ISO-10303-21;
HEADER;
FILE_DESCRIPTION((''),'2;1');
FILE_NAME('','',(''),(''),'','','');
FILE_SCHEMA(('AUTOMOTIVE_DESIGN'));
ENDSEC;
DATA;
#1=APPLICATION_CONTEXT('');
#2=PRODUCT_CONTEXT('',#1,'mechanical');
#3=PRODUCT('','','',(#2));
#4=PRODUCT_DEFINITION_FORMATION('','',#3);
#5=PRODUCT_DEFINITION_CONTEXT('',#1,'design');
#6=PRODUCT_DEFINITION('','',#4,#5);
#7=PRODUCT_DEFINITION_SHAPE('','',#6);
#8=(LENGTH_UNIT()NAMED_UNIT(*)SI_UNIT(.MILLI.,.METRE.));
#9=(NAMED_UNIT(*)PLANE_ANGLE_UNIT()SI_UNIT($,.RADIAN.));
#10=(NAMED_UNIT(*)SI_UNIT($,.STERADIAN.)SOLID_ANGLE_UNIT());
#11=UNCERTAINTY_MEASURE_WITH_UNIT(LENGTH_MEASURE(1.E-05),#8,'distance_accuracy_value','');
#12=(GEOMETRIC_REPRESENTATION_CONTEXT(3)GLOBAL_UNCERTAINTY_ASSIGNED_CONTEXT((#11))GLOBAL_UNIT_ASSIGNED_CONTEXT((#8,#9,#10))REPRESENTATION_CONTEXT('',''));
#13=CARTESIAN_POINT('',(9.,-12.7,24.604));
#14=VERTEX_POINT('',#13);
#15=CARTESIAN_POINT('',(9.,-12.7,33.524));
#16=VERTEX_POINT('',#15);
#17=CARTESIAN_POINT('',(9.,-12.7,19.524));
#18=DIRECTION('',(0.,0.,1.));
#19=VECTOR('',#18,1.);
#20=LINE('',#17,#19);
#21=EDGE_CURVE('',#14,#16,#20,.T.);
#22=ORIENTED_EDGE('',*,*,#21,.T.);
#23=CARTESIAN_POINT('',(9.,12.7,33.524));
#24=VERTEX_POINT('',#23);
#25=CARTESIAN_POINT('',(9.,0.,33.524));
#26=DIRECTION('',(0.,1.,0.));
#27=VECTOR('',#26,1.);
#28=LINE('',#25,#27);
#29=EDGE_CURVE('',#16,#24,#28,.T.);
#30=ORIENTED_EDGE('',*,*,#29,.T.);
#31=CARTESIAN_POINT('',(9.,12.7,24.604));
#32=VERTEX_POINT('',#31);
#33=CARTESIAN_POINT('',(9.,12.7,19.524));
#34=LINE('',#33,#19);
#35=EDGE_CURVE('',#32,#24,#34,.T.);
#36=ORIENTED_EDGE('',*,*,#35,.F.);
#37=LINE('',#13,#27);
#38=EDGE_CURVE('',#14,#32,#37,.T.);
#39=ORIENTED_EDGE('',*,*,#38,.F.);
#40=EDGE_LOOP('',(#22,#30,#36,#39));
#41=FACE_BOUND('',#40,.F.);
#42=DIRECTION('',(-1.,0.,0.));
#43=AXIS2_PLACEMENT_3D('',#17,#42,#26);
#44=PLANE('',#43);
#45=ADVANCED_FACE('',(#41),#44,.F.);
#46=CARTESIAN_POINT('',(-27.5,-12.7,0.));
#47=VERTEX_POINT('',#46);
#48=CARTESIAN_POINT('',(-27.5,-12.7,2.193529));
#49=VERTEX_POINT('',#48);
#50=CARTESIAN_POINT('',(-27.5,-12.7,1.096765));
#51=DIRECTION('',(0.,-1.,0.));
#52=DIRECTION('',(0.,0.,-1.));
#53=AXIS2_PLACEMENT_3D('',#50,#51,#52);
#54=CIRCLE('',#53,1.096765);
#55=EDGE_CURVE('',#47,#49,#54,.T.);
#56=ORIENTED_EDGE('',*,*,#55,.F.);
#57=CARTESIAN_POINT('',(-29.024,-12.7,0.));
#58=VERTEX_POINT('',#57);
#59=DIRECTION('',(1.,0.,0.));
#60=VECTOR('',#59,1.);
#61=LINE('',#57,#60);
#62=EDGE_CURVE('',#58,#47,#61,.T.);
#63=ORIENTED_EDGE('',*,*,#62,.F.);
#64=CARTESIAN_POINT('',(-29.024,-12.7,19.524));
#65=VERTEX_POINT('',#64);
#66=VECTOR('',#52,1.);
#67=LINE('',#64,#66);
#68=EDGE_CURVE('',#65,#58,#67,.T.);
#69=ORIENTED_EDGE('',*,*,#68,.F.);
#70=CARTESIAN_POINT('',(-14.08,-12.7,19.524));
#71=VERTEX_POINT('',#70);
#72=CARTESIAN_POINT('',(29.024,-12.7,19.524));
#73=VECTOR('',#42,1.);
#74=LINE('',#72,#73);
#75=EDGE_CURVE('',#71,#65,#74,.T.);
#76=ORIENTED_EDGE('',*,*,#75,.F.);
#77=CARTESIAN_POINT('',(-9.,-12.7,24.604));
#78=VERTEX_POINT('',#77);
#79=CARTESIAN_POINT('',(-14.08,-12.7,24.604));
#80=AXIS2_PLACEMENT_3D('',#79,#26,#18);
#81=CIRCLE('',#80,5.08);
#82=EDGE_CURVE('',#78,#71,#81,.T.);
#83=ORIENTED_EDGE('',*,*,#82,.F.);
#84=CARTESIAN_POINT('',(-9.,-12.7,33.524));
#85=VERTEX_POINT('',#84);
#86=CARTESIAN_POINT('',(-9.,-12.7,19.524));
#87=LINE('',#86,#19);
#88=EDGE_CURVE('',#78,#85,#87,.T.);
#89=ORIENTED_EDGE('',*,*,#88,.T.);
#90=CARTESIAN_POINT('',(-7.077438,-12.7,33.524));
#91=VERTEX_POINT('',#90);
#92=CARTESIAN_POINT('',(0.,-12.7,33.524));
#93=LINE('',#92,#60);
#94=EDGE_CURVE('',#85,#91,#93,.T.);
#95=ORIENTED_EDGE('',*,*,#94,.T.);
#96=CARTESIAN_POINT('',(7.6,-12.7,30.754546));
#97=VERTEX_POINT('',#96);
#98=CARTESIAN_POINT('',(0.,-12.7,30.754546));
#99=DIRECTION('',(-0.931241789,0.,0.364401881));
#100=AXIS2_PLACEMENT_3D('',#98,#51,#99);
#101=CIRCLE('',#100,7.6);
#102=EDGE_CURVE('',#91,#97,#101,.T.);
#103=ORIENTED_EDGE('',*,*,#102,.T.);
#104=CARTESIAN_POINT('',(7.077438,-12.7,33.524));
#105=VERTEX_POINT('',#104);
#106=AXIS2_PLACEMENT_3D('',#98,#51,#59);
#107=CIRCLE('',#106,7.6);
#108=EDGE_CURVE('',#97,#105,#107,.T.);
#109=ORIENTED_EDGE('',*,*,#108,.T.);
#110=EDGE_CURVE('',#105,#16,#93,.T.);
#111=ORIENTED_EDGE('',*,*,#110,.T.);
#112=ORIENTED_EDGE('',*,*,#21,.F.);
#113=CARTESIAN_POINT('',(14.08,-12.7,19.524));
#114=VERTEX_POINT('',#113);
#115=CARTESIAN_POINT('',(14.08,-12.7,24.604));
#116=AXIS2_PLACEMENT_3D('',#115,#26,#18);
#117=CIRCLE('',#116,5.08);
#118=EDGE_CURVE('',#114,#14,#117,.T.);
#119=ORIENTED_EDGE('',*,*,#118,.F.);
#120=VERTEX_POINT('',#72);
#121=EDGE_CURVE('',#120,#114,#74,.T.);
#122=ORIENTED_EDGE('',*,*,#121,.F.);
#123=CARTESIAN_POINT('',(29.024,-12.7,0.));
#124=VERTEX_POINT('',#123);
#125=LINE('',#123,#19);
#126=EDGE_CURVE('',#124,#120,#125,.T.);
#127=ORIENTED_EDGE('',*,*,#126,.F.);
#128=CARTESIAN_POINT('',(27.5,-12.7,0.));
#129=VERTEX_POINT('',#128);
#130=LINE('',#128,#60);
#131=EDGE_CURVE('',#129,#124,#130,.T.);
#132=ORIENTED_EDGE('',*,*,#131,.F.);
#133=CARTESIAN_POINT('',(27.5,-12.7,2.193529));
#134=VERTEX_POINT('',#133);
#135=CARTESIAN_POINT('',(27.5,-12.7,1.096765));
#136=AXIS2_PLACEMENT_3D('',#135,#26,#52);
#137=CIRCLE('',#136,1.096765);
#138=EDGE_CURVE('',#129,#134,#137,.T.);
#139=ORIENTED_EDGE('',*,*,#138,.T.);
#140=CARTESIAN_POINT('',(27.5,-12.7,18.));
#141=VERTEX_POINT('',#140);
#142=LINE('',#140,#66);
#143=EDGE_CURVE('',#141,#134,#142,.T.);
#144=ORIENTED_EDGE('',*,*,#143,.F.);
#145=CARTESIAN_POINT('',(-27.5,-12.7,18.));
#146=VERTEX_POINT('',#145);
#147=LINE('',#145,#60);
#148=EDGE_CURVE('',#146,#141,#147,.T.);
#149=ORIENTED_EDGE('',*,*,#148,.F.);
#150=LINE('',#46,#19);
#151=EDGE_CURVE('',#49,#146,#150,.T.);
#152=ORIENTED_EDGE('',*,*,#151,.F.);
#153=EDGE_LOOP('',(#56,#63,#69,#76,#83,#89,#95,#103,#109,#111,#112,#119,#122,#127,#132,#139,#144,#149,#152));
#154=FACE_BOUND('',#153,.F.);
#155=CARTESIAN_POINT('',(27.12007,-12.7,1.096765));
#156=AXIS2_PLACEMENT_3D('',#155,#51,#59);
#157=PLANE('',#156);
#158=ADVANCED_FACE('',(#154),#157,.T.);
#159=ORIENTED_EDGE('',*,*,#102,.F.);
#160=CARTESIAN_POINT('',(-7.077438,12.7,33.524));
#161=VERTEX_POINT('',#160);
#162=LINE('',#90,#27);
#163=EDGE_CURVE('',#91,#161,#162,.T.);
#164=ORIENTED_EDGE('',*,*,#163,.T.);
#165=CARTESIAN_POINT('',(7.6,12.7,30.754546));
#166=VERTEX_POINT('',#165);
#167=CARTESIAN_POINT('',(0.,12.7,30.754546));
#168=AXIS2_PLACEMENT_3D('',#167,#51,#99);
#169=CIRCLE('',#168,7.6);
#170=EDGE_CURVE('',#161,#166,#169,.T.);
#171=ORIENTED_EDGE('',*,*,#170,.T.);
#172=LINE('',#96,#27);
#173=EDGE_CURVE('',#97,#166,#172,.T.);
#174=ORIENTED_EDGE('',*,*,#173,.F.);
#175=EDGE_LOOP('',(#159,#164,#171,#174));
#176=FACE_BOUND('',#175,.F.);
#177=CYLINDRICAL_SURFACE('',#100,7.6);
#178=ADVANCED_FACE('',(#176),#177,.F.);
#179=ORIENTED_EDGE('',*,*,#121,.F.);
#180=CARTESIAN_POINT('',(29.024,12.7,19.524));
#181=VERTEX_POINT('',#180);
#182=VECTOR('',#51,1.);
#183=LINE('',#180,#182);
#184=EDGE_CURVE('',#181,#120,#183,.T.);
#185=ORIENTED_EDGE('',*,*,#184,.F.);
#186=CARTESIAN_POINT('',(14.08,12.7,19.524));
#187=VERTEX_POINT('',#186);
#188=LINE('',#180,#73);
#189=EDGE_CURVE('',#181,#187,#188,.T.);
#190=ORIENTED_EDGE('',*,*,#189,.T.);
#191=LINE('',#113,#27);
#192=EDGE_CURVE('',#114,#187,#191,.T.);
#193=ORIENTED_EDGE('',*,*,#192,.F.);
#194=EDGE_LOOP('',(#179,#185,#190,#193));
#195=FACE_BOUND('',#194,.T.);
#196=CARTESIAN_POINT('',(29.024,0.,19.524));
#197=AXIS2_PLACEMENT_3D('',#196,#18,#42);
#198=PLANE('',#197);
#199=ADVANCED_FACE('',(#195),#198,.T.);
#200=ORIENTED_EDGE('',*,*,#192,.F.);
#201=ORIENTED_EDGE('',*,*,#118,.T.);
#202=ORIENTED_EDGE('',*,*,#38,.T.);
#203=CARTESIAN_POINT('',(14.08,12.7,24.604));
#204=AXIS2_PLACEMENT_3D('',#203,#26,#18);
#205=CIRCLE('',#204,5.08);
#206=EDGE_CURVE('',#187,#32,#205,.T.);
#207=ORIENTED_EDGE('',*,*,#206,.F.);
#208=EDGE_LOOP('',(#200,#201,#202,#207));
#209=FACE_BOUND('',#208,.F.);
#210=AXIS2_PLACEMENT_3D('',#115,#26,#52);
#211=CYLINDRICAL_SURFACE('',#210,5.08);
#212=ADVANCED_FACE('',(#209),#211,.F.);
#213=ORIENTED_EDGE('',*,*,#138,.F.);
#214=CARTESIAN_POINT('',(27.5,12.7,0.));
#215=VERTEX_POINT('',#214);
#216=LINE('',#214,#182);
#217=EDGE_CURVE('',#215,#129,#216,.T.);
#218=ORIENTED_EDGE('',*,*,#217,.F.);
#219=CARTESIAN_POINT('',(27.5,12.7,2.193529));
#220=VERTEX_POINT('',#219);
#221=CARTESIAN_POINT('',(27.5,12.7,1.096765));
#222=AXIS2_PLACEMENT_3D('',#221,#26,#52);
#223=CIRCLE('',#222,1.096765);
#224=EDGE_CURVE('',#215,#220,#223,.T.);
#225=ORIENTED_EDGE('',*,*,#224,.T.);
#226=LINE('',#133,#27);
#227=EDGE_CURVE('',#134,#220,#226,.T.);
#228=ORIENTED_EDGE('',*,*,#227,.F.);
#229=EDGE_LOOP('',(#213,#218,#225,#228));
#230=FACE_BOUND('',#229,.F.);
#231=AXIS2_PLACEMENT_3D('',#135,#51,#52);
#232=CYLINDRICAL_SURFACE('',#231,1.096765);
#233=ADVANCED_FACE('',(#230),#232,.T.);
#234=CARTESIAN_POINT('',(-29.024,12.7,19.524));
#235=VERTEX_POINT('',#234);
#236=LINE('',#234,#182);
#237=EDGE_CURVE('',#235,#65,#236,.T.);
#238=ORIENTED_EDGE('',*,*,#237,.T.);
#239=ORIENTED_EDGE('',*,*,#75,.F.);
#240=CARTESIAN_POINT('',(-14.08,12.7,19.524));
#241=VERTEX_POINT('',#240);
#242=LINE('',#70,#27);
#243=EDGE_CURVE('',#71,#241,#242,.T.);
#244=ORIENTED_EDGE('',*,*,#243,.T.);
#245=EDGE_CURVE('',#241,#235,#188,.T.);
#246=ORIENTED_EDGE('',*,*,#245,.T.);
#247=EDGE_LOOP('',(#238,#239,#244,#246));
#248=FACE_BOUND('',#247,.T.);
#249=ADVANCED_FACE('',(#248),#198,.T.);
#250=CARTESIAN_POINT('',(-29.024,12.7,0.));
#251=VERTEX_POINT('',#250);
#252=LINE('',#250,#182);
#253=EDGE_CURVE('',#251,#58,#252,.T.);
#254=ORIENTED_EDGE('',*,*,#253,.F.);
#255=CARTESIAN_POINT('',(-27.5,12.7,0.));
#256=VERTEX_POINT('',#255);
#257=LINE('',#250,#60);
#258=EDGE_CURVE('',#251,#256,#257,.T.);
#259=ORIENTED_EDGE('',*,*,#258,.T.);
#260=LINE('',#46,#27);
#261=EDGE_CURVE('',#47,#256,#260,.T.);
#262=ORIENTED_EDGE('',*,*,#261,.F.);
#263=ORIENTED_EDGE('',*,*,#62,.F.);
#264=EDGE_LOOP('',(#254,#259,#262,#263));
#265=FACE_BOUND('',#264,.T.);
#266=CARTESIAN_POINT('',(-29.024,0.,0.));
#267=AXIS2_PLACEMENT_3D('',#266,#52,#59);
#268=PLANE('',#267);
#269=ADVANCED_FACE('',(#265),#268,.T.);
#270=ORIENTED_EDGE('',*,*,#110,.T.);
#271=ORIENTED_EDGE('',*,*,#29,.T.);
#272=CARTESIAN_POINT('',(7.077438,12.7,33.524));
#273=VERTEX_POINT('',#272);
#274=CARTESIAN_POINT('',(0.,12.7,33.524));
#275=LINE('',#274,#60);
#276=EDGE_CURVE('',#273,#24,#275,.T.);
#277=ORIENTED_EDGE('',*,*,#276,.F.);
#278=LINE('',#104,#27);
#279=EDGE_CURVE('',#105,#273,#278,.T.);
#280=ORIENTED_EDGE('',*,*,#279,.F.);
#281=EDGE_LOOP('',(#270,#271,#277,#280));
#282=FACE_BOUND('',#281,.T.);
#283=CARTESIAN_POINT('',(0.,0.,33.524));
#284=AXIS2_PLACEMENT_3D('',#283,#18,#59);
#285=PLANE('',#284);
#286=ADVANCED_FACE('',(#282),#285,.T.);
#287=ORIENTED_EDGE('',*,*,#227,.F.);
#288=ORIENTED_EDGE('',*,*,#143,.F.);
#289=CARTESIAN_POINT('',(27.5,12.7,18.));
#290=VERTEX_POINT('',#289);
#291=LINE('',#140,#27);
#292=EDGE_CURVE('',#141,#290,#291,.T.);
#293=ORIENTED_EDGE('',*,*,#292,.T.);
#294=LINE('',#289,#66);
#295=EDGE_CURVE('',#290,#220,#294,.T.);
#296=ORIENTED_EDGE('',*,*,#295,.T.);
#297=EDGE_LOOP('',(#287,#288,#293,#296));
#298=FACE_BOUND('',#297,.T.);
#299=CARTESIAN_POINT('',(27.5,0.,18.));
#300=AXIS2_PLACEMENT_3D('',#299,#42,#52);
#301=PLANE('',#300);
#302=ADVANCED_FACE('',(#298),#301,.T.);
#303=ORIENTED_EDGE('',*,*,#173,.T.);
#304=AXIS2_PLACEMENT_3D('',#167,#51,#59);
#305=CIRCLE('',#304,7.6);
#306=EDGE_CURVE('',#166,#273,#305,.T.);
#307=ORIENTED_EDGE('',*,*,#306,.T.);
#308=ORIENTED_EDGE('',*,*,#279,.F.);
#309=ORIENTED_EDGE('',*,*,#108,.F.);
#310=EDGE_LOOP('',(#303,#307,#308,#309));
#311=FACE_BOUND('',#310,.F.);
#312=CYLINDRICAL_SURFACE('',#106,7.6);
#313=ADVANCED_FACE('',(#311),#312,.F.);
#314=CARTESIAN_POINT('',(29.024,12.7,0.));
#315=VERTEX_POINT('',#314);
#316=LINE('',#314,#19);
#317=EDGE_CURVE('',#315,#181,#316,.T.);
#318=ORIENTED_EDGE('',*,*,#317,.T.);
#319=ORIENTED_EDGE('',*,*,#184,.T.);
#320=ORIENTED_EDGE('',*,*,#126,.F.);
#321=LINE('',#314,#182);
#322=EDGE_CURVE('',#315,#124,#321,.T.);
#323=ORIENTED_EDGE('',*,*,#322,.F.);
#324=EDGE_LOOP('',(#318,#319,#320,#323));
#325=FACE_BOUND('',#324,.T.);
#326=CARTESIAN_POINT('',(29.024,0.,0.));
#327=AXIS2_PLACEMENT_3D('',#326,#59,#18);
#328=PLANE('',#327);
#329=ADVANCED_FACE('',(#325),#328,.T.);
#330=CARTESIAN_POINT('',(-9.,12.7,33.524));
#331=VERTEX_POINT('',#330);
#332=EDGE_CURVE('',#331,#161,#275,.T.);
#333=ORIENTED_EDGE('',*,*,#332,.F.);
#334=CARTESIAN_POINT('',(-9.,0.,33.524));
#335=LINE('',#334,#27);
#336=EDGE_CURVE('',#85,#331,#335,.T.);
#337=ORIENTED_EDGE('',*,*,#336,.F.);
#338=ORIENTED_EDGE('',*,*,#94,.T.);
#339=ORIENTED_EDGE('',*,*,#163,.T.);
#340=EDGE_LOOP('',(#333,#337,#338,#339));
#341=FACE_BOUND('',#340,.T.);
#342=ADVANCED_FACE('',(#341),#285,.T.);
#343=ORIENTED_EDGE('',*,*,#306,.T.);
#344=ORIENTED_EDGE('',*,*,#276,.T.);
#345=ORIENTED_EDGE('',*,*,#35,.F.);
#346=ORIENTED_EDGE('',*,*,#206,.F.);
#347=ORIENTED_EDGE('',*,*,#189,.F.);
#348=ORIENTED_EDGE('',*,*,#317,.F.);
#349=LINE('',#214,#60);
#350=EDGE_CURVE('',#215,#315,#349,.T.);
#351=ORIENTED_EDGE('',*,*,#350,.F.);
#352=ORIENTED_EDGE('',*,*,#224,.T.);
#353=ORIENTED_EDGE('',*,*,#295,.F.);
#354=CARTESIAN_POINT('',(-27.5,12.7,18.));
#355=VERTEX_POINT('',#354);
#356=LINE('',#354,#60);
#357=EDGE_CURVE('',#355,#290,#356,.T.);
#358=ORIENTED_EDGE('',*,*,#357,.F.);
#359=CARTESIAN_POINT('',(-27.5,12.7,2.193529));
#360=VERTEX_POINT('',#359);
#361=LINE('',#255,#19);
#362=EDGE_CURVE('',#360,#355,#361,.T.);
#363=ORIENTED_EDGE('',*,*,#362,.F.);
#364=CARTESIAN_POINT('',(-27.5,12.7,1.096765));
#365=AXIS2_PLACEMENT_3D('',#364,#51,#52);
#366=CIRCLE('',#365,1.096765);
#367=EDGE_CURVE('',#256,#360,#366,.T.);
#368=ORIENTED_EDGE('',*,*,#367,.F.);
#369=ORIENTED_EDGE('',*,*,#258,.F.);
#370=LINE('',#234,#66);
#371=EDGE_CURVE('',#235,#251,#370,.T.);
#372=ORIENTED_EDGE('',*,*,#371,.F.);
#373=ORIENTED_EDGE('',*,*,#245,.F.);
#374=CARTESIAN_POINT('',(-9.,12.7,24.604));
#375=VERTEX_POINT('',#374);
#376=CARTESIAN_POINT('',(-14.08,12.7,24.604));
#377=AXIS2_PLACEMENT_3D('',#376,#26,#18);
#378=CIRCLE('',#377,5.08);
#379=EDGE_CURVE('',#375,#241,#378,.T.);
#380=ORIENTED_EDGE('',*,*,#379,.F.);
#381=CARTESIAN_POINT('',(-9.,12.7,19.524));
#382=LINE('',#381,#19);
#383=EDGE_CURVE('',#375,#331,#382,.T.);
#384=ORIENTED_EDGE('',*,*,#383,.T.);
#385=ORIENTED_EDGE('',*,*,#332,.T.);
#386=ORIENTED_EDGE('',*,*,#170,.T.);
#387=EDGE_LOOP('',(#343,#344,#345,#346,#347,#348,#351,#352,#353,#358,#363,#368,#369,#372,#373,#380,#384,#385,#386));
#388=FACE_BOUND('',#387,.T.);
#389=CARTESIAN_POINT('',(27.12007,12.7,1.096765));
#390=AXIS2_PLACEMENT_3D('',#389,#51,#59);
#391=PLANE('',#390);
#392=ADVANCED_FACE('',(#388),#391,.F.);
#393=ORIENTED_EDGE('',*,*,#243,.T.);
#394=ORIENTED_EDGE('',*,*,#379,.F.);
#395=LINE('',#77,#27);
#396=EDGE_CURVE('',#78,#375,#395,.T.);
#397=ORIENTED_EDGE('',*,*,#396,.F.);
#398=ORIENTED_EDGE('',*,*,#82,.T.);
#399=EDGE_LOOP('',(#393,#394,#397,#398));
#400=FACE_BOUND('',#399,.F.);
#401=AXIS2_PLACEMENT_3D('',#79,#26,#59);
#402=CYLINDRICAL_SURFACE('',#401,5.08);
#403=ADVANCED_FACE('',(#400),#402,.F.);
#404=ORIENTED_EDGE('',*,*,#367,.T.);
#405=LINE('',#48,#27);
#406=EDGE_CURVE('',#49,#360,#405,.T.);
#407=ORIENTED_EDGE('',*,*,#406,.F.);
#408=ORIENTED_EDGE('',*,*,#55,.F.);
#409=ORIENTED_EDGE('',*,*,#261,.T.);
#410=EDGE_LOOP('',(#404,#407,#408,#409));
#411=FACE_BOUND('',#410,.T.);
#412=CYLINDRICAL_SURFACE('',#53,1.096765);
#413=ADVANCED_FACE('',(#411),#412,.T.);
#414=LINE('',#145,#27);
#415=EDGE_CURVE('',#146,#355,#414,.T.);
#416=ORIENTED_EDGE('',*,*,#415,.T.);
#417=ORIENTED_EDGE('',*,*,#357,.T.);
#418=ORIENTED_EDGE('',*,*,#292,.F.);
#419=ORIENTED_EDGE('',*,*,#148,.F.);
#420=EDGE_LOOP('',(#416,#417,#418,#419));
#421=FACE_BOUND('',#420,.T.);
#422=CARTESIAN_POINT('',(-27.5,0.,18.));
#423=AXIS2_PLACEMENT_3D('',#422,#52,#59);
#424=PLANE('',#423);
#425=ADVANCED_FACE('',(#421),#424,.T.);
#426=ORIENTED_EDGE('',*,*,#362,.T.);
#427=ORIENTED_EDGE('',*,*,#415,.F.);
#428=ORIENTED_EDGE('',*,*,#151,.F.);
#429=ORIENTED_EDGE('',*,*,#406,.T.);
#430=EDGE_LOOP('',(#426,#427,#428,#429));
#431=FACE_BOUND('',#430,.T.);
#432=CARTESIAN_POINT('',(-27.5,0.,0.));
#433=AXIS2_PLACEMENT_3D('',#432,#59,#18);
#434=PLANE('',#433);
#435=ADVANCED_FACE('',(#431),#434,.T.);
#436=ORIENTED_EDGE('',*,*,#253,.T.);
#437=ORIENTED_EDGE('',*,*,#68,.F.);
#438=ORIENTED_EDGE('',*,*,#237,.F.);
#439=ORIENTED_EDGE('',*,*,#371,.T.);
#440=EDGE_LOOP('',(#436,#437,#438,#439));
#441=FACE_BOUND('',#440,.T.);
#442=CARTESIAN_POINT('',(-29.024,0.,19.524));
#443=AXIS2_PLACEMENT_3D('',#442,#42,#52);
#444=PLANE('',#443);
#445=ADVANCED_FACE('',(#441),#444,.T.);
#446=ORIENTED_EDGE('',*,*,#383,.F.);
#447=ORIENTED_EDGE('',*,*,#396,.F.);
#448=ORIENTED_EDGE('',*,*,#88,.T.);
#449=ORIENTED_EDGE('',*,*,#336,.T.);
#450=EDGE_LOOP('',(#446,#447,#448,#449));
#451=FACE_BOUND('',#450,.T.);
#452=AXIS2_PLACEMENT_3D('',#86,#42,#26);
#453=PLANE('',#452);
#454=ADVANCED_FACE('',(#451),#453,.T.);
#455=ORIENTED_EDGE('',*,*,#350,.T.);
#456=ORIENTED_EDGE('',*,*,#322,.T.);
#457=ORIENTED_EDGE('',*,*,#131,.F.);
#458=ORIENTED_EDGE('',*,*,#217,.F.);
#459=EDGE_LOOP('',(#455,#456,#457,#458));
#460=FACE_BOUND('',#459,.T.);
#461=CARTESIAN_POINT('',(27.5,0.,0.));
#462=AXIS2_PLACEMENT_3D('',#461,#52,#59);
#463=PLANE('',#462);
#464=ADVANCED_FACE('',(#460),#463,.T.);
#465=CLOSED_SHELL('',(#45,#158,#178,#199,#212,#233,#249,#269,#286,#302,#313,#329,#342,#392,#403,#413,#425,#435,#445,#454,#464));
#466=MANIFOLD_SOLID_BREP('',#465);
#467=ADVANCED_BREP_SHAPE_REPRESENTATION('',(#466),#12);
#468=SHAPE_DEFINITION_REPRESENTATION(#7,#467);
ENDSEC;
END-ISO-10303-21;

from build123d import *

# Parameters (mm, degrees)
F1_DEPTH = 12.7
F3_DEPTH = 25.4
F5_W     = 18
F5_H     = 25.4
F6_DEPTH = 14
F8_DEPTH = 25.401
F9_R     = 5.08


with BuildPart() as f1:
    # F0 (on Front) → F1 (new body, symmetric)
    with BuildSketch(Plane.XZ):
        Polygon((27.5, 18), (27.5, 0), (29.024, 0), (29.024, 19.524), (0, 19.524), (-29.024, 19.524), (-29.024, 0), (-27.5, 0), (-27.5, 18), (0, 18), align=None)
    extrude(amount=F1_DEPTH, both=True)

    # F2 (on face) → F3 (join, through all)
    with BuildSketch(Plane.XZ.offset(12.7)):
        with BuildLine():
            Line((-27.5, 2.1935291588), (-27.5, 0))
            ThreePointArc((-27.5, 0), (-26.4032354206, 1.0967645794), (-27.5, 2.1935291588))
        make_face()
    extrude(amount=-F3_DEPTH)

    # F4: F1 across plane


with BuildPart() as f1_1:
    add(f1.part)
    add(f1.part.mirror(Plane.YZ))

    # F5 (on face) → F6 (join)
    with BuildSketch(Plane.XY.offset(19.524)):
        Rectangle(F5_W, F5_H)
    extrude(amount=F6_DEPTH)

    # F7 (on face) → F8 (cut, through all)
    with BuildSketch(Plane.XZ.offset(12.7)):
        with BuildLine():
            ThreePointArc((-7.0774375942, 33.524), (-1.409161858, 23.2863288576), (7.6, 30.7545457035))
            ThreePointArc((7.6, 30.7545457035), (7.4682168459, 32.1637075615), (7.0774375942, 33.524))
            Line((7.0774375942, 33.524), (-7.0774375942, 33.524))
        make_face()
    extrude(amount=-F8_DEPTH, mode=Mode.SUBTRACT)

    # F9
    f9_edges = [f1_1.edges().sort_by_distance(p)[0] for p in [
        (9, 0, 19.524),
        (-9, 0, 19.524),
    ]]
    fillet(f9_edges, radius=F9_R)


solid = f1_1.part
